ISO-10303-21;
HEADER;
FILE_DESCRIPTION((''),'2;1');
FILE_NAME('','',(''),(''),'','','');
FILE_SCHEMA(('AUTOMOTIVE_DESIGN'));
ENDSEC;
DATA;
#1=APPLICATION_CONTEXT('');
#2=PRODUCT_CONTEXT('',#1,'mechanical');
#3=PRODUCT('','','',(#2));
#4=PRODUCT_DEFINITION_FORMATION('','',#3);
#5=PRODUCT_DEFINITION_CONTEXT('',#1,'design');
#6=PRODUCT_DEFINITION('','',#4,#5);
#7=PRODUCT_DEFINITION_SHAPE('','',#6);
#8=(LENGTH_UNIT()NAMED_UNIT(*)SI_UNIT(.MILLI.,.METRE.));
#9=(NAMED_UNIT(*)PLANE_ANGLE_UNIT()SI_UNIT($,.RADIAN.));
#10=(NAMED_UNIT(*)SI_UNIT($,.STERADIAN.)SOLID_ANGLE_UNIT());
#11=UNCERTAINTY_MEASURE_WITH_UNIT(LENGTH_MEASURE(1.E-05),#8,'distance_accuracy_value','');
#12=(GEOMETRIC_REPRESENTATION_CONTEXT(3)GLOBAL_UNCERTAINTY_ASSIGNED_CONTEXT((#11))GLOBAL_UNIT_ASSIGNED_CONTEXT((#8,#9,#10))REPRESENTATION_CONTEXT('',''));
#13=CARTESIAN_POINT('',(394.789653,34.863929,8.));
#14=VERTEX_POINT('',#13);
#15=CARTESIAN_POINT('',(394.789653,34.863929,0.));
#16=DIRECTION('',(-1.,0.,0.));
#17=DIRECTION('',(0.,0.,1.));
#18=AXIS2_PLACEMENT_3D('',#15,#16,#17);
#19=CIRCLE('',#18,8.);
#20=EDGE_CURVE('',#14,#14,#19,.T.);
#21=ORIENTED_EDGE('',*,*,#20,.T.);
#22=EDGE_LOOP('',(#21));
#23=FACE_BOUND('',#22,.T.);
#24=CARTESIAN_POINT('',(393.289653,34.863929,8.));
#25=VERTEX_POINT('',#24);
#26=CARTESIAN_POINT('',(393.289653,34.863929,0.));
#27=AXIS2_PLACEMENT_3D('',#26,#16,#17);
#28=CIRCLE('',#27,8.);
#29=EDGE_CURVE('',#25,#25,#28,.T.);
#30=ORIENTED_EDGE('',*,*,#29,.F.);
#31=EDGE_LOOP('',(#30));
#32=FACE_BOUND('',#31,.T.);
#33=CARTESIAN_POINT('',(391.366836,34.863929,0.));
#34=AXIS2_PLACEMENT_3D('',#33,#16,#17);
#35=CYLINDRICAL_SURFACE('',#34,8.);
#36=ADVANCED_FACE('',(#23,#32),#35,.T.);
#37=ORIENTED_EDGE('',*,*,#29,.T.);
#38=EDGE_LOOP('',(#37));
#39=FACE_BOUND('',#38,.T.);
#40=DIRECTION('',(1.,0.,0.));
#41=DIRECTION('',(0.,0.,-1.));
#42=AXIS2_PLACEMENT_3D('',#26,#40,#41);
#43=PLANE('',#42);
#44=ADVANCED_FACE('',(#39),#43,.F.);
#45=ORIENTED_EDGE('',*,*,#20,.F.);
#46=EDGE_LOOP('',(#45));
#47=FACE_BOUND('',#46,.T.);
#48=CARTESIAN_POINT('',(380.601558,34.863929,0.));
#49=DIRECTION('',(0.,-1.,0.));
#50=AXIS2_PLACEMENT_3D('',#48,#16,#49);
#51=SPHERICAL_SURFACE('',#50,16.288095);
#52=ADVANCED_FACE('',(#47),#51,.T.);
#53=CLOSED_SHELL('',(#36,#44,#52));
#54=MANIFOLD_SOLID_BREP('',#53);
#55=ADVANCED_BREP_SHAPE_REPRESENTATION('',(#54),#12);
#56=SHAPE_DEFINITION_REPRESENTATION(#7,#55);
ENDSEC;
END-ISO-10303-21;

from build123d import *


with BuildPart() as part:
    # 草图1 → 旋转1 (revolve)
    with BuildSketch(Plane.XY, mode=Mode.PRIVATE) as revolve_1_sk:
        with BuildLine():
            Line((393.289652918, 34.86392857), (393.289652918, 42.86392857))
            Line((393.289652918, 42.86392857), (394.789652918, 42.86392857))
            ThreePointArc((394.789652918, 42.86392857), (396.355907761, 38.999445466), (396.889652918, 34.86392857))
            Line((396.889652918, 34.86392857), (393.289652918, 34.86392857))
        make_face()
    revolve(revolve_1_sk.sketch.rotate(Axis((391.366836213, 34.86392857, 0), (1, 0, 0)), 180), axis=Axis((391.366836213, 34.86392857, 0), (1, 0, 0)))  # turned: the seam where the file's is


solid = part.part
